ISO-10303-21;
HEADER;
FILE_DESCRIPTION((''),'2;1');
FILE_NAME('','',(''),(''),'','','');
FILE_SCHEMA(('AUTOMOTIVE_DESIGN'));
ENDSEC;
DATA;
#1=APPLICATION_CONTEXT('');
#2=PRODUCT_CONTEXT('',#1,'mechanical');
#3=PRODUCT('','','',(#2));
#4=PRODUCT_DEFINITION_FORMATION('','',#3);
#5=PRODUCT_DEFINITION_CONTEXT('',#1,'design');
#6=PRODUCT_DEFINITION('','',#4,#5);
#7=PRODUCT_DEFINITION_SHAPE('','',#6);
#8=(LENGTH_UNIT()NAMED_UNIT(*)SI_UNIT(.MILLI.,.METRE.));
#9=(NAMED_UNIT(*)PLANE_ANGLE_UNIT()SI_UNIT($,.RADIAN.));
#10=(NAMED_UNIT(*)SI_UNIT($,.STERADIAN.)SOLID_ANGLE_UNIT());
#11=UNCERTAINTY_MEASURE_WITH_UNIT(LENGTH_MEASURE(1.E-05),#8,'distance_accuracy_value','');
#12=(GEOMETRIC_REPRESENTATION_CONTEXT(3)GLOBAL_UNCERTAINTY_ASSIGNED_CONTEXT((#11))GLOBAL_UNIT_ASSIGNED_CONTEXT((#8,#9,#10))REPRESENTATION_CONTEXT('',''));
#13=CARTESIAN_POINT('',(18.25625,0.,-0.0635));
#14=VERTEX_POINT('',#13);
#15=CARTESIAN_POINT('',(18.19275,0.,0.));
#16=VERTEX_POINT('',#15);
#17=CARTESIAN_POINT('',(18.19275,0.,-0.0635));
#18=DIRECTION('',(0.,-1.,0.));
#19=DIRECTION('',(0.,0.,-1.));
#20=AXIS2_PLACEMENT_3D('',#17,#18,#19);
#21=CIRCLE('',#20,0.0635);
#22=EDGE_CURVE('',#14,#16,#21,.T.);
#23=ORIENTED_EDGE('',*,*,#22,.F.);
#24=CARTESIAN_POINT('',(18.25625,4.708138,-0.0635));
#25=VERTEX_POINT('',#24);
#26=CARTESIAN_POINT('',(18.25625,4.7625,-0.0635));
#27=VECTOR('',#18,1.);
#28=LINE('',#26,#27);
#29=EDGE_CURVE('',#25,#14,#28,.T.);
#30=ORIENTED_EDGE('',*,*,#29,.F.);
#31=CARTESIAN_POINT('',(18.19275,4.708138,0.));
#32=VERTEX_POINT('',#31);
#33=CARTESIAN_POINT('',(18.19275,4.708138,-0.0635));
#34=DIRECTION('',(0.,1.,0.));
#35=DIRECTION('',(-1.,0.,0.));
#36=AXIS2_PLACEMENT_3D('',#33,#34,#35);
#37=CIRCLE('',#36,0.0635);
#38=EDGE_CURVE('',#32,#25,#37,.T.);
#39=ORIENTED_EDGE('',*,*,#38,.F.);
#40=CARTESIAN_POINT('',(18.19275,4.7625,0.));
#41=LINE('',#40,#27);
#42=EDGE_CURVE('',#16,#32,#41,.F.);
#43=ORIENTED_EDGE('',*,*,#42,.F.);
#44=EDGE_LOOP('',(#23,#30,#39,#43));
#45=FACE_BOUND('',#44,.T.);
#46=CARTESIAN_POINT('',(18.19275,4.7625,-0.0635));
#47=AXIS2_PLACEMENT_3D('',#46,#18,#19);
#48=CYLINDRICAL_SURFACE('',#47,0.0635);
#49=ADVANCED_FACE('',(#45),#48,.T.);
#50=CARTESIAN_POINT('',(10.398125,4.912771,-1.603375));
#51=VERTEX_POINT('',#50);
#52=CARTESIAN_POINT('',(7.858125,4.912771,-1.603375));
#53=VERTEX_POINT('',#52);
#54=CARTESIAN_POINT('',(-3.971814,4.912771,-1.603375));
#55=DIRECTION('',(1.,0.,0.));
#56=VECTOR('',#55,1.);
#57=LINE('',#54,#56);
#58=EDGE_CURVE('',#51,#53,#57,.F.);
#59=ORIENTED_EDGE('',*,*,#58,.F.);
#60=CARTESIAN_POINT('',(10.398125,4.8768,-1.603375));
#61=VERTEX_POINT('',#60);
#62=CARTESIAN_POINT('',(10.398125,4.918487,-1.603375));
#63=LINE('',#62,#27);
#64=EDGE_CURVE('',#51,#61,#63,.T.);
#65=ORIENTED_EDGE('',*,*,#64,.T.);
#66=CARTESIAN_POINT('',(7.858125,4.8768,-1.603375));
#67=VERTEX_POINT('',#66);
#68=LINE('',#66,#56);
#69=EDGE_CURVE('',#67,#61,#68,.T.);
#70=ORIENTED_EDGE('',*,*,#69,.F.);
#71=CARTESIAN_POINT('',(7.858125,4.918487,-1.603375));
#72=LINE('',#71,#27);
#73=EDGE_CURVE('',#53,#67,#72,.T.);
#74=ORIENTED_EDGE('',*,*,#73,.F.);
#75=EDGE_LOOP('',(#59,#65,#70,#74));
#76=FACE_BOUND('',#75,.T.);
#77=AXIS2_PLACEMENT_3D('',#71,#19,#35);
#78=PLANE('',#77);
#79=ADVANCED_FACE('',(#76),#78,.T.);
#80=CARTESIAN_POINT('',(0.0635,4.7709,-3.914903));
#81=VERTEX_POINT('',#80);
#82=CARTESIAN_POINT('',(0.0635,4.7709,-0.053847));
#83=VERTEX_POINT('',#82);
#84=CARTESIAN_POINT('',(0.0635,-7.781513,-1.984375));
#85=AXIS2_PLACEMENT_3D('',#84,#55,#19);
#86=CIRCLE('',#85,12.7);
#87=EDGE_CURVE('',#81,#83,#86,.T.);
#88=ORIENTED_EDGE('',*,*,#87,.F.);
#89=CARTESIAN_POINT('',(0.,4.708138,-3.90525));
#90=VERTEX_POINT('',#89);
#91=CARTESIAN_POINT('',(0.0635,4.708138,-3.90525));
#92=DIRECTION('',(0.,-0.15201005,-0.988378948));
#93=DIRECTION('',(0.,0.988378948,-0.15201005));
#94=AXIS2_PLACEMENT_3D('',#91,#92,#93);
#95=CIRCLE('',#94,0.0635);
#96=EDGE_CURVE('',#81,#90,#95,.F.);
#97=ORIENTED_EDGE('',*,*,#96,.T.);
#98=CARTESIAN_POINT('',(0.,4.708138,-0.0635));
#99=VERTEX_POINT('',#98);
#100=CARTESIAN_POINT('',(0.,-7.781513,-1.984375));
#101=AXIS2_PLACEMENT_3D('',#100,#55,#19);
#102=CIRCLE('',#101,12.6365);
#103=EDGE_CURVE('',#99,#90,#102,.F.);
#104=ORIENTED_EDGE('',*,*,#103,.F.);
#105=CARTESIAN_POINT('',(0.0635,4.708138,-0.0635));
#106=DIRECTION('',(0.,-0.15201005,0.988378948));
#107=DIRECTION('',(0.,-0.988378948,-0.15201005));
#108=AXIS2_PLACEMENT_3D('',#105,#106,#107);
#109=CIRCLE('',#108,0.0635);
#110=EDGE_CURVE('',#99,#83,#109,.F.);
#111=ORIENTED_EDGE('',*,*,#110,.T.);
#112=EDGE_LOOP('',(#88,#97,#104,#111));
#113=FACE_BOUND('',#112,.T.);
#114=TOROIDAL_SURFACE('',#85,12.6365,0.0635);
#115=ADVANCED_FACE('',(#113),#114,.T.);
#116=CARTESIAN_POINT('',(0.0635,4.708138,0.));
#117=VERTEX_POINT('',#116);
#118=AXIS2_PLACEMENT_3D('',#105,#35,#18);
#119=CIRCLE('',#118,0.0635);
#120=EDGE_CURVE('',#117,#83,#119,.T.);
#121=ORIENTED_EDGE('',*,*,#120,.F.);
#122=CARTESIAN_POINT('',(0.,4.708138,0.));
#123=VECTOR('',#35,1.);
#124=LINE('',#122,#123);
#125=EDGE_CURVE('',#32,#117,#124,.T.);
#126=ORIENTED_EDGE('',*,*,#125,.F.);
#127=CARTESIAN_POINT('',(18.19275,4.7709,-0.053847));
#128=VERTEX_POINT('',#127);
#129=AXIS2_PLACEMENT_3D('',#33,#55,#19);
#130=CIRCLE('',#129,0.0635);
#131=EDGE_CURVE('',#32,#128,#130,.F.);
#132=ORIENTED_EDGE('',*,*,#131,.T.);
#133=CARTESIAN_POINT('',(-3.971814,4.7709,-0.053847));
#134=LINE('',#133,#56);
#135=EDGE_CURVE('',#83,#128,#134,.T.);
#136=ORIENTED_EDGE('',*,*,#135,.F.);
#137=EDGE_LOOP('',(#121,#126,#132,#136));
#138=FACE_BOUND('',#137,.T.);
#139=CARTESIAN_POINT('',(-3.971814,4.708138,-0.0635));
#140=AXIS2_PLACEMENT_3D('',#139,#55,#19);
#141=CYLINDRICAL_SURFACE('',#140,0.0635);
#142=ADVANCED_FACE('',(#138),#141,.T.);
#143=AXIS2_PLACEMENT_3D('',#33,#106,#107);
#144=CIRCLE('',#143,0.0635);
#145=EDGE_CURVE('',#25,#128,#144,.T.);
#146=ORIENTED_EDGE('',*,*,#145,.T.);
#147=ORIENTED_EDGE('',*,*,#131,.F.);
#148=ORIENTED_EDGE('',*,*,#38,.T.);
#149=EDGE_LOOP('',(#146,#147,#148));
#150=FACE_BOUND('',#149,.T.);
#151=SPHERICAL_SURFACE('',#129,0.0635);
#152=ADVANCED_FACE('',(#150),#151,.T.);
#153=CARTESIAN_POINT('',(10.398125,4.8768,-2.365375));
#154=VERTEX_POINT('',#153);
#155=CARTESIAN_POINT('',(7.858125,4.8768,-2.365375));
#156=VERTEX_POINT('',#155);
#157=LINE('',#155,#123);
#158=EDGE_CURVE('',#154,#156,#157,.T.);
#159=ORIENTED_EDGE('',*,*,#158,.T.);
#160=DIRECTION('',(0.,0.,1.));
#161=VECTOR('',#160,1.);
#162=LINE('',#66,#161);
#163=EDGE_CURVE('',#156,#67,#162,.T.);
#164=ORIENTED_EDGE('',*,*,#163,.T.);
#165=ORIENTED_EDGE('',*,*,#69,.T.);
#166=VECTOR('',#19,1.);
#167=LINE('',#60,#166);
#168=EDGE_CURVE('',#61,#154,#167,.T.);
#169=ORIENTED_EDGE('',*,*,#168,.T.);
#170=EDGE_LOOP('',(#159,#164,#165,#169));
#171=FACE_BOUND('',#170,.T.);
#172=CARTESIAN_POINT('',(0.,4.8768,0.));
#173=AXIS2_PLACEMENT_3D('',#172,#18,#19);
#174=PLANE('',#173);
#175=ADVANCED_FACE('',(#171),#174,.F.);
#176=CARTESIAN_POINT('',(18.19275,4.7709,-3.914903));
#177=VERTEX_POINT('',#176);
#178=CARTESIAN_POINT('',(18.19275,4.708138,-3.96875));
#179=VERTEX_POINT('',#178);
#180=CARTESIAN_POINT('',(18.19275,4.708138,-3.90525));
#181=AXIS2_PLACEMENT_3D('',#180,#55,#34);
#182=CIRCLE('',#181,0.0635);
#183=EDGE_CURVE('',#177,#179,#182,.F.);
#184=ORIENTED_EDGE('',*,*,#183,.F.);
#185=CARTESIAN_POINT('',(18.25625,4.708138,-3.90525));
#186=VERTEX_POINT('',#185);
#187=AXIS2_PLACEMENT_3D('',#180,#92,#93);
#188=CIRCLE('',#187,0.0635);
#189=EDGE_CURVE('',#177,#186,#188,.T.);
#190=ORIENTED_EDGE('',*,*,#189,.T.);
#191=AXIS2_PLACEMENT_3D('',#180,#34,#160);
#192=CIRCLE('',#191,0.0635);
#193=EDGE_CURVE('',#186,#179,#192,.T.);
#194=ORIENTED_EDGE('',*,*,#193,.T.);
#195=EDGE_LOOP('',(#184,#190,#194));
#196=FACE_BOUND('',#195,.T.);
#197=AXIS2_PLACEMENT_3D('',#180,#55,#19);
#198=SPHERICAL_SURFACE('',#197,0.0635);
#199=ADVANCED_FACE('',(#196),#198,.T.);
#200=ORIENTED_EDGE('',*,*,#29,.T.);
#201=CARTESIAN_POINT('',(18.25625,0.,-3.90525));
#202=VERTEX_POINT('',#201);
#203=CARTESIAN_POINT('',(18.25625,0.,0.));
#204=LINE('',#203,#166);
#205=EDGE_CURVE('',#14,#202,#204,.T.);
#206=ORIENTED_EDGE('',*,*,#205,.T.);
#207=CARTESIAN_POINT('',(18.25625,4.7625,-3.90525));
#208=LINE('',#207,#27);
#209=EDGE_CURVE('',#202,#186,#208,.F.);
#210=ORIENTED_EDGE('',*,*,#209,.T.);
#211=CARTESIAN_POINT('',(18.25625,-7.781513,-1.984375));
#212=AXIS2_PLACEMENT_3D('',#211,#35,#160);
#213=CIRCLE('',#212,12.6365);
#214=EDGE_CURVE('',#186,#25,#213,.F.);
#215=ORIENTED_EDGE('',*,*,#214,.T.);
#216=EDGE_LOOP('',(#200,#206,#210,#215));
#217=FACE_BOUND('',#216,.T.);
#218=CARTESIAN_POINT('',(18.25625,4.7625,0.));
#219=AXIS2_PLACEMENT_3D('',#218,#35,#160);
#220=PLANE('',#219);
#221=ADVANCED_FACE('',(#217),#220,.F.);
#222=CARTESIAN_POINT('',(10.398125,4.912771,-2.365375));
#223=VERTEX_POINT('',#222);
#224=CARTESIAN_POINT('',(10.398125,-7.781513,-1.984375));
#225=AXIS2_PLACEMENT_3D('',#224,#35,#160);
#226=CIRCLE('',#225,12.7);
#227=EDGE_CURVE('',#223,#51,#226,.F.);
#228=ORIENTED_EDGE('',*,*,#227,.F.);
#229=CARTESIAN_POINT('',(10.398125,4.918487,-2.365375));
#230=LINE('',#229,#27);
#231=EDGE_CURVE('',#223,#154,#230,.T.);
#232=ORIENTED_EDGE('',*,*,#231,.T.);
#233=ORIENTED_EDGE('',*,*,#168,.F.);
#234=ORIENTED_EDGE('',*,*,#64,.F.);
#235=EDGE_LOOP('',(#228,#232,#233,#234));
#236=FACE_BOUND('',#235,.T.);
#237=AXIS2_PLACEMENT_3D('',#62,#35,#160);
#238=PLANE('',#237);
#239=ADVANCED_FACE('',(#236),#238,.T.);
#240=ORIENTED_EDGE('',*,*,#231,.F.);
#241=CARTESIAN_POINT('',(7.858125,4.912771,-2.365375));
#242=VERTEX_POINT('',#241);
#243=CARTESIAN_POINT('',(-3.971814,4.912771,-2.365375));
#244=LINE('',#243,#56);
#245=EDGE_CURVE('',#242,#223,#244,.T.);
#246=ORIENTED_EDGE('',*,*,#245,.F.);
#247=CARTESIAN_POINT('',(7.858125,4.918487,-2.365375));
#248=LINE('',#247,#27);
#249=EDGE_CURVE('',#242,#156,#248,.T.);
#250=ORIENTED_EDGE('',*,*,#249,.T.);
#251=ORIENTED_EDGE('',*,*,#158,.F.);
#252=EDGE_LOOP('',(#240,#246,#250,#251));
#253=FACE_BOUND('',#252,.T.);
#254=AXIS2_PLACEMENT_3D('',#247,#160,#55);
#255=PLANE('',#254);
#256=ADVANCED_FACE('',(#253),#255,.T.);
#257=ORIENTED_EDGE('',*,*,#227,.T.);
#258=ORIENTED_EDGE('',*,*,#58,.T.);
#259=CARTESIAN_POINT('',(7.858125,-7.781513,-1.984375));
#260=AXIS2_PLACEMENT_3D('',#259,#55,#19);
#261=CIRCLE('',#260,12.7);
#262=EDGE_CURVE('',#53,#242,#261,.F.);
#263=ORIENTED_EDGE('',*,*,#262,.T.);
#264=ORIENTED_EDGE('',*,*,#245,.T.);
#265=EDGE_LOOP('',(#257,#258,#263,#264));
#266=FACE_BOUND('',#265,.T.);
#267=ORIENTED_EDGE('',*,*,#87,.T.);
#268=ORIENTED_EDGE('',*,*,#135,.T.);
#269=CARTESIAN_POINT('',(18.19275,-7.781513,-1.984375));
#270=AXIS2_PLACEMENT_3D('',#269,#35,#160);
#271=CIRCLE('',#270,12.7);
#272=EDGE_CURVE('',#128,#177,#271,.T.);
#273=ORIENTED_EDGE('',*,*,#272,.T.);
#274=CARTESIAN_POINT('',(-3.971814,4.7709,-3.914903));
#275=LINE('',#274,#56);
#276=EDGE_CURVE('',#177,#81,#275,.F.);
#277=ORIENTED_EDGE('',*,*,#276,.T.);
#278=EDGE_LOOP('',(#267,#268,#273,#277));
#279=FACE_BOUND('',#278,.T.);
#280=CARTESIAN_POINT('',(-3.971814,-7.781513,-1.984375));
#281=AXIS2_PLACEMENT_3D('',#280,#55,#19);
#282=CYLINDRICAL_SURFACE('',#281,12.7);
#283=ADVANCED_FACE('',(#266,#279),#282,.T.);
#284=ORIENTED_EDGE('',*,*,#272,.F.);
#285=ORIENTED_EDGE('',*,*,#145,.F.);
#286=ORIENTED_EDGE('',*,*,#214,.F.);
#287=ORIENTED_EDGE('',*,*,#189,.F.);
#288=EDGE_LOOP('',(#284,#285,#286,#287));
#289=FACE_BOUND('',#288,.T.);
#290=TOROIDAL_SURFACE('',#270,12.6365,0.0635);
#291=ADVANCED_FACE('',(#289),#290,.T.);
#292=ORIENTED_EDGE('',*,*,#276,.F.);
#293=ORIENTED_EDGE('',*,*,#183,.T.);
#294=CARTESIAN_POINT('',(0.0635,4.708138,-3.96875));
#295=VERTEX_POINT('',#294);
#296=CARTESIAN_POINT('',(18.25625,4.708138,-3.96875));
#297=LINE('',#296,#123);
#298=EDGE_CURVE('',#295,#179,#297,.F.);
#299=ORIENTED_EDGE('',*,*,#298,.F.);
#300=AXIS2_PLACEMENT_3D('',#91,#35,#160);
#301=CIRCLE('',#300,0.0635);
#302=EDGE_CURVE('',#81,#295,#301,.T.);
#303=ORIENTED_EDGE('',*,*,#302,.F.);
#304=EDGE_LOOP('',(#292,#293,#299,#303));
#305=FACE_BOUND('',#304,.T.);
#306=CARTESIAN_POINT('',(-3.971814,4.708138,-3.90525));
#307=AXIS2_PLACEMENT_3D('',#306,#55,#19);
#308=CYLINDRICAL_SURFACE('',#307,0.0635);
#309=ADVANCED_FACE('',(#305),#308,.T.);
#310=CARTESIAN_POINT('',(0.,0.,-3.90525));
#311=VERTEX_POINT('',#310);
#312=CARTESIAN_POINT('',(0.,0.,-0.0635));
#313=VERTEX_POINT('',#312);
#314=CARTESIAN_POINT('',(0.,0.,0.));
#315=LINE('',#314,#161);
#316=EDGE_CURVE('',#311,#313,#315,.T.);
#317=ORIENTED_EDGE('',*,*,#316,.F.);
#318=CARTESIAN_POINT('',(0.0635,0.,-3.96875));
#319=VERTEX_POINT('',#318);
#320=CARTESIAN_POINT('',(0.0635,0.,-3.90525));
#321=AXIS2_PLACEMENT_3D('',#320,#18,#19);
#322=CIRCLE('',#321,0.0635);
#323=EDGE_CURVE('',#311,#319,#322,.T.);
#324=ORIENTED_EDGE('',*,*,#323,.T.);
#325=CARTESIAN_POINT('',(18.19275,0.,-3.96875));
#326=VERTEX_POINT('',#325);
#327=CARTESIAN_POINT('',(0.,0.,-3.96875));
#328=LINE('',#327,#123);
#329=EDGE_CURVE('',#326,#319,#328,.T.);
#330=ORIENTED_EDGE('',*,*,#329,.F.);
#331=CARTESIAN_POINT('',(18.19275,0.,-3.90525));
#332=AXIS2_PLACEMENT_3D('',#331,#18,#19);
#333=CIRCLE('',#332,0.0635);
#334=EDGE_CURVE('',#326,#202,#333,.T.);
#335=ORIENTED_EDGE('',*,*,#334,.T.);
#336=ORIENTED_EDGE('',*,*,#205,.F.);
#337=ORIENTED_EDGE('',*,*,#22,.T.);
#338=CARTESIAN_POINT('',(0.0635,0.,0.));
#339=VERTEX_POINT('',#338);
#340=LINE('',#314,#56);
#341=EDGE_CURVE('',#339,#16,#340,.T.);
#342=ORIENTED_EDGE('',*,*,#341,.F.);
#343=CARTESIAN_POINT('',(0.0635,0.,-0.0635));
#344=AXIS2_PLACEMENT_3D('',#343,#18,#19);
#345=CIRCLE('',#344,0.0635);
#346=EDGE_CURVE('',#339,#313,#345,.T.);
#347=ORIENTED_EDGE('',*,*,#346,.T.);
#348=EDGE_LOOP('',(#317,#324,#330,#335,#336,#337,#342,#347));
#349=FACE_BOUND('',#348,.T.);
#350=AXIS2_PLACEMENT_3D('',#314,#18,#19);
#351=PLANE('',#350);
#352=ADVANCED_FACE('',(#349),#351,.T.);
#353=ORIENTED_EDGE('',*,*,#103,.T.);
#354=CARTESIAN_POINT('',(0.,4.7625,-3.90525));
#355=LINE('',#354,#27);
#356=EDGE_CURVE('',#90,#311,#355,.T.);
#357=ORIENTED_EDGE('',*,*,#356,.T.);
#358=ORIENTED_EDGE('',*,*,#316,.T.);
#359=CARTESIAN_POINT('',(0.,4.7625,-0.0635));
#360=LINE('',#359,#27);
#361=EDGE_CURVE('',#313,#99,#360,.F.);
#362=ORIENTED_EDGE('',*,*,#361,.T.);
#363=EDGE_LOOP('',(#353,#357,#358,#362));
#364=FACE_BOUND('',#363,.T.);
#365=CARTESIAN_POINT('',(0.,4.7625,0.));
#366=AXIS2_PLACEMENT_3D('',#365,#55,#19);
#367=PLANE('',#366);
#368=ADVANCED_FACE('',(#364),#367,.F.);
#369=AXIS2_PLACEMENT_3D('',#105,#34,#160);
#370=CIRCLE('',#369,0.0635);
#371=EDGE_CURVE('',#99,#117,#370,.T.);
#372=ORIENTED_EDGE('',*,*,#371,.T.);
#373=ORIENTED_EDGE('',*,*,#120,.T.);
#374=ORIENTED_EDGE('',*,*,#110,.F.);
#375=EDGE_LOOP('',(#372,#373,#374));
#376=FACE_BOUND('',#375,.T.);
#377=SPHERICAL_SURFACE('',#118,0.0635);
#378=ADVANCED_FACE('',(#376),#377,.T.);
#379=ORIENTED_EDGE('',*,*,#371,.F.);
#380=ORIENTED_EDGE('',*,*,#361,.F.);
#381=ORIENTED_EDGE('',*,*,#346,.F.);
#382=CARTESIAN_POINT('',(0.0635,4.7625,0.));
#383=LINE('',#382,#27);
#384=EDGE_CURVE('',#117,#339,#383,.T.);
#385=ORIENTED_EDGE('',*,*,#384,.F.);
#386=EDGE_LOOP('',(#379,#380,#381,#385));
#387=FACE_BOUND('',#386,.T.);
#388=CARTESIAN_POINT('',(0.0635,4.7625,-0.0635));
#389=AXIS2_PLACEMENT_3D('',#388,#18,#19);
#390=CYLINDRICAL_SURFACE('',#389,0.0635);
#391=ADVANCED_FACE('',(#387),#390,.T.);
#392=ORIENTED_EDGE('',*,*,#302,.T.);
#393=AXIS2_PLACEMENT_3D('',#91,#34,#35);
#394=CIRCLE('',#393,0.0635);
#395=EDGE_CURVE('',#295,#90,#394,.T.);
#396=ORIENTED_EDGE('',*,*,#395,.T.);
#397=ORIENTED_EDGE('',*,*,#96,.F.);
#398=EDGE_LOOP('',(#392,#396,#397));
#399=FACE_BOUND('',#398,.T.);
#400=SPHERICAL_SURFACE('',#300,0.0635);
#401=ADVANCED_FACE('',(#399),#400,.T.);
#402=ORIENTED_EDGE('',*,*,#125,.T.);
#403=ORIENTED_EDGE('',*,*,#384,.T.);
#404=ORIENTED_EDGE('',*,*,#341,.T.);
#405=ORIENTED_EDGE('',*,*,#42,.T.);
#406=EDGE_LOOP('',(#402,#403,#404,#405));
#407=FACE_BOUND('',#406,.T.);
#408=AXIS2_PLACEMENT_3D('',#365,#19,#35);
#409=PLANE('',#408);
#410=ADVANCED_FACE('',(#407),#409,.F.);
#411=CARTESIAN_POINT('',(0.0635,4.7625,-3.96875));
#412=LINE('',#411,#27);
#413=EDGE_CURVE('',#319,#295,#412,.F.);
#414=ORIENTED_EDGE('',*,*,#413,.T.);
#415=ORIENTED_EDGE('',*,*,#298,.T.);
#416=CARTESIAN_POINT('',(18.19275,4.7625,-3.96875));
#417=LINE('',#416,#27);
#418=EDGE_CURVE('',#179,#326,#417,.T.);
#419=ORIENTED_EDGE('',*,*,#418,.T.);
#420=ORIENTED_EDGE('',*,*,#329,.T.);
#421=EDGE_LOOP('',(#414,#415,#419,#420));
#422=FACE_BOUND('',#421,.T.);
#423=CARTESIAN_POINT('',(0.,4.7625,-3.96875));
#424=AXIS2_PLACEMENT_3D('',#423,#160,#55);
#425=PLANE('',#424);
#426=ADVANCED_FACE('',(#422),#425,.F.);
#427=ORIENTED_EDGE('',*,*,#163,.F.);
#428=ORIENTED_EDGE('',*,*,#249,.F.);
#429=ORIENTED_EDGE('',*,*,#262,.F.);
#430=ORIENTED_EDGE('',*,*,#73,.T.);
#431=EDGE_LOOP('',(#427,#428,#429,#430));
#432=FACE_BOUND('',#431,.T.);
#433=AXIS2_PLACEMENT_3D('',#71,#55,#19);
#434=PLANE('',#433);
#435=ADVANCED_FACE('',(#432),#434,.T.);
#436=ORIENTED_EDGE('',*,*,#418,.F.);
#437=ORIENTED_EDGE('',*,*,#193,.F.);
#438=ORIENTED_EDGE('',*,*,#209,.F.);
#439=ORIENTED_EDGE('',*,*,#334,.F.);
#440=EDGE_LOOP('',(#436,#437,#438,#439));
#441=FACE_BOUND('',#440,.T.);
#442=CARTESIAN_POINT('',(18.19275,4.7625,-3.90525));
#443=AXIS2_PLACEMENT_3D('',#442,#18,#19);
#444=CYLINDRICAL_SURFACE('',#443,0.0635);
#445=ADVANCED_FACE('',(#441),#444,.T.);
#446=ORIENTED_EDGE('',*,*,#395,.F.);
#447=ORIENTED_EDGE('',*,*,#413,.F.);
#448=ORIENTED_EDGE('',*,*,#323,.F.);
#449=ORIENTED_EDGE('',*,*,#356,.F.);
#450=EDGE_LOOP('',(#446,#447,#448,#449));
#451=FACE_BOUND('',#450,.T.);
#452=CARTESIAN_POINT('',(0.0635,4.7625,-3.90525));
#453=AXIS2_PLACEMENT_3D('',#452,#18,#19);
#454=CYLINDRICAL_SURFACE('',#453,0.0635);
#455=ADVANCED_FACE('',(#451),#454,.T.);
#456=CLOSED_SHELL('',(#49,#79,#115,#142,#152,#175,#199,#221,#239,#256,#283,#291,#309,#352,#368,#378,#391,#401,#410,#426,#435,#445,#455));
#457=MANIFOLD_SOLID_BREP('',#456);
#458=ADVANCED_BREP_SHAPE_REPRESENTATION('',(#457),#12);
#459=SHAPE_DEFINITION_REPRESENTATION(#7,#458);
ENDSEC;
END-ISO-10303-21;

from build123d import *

# Parameters (mm, degrees)
SKETCH1_W           = 18.25625
SKETCH1_H           = 3.96875
BOSS_EXTRUDE1_DEPTH = 4.7625
BOSS_EXTRUDE2_DEPTH = 18.25625
SKETCH4_W           = 2.54
SKETCH4_H           = 0.762
CUT_EXTRUDE1_DEPTH  = 1.041687251
FILLET1_R           = 0.0635


with BuildPart() as part:
    # Sketch1 → Boss-Extrude1 (new body)
    with BuildSketch(Plane(origin=(0, 0, 0), x_dir=(1, 0, 0), z_dir=(0, 1, 0))):
        with Locations((9.128125, 1.984375)):
            Rectangle(SKETCH1_W, SKETCH1_H)
    extrude(amount=BOSS_EXTRUDE1_DEPTH)

    # Sketch2 → Boss-Extrude2 (add)
    with BuildSketch(Plane(origin=(18.25625, 0, 0), x_dir=(0, 0, -1), z_dir=(1, 0, 0))):
        with BuildLine():
            Line((0, 4.7625), (3.96875, 4.7625))
            ThreePointArc((3.96875, 4.7625), (1.984375, 4.918487251), (0, 4.7625))
        make_face()
    extrude(amount=-BOSS_EXTRUDE2_DEPTH)

    # Sketch4 → Cut-Extrude1 (cut, through all)
    with BuildSketch(Plane(origin=(0, 4.8768, 0), x_dir=(1, 0, 0), z_dir=(0, 1, 0))):
        with Locations((9.128125, 1.984375)):
            Rectangle(SKETCH4_W, SKETCH4_H)
    extrude(amount=CUT_EXTRUDE1_DEPTH, mode=Mode.SUBTRACT)

    # Fillet1
    fillet1_edges = [part.edges().sort_by_distance(p)[0] for p in [
        (18.25625, 4.918487251, -1.984375),
        (0, 4.918487251, -1.984375),
        (9.128125, 4.7625, -3.96875),
        (0, 2.38125, -3.96875),
        (18.25625, 2.38125, -3.96875),
        (18.25625, 2.38125, 0),
        (0, 2.38125, 0),
        (9.128125, 4.7625, 0),
    ]]
    fillet(fillet1_edges, radius=FILLET1_R)


solid = part.part
